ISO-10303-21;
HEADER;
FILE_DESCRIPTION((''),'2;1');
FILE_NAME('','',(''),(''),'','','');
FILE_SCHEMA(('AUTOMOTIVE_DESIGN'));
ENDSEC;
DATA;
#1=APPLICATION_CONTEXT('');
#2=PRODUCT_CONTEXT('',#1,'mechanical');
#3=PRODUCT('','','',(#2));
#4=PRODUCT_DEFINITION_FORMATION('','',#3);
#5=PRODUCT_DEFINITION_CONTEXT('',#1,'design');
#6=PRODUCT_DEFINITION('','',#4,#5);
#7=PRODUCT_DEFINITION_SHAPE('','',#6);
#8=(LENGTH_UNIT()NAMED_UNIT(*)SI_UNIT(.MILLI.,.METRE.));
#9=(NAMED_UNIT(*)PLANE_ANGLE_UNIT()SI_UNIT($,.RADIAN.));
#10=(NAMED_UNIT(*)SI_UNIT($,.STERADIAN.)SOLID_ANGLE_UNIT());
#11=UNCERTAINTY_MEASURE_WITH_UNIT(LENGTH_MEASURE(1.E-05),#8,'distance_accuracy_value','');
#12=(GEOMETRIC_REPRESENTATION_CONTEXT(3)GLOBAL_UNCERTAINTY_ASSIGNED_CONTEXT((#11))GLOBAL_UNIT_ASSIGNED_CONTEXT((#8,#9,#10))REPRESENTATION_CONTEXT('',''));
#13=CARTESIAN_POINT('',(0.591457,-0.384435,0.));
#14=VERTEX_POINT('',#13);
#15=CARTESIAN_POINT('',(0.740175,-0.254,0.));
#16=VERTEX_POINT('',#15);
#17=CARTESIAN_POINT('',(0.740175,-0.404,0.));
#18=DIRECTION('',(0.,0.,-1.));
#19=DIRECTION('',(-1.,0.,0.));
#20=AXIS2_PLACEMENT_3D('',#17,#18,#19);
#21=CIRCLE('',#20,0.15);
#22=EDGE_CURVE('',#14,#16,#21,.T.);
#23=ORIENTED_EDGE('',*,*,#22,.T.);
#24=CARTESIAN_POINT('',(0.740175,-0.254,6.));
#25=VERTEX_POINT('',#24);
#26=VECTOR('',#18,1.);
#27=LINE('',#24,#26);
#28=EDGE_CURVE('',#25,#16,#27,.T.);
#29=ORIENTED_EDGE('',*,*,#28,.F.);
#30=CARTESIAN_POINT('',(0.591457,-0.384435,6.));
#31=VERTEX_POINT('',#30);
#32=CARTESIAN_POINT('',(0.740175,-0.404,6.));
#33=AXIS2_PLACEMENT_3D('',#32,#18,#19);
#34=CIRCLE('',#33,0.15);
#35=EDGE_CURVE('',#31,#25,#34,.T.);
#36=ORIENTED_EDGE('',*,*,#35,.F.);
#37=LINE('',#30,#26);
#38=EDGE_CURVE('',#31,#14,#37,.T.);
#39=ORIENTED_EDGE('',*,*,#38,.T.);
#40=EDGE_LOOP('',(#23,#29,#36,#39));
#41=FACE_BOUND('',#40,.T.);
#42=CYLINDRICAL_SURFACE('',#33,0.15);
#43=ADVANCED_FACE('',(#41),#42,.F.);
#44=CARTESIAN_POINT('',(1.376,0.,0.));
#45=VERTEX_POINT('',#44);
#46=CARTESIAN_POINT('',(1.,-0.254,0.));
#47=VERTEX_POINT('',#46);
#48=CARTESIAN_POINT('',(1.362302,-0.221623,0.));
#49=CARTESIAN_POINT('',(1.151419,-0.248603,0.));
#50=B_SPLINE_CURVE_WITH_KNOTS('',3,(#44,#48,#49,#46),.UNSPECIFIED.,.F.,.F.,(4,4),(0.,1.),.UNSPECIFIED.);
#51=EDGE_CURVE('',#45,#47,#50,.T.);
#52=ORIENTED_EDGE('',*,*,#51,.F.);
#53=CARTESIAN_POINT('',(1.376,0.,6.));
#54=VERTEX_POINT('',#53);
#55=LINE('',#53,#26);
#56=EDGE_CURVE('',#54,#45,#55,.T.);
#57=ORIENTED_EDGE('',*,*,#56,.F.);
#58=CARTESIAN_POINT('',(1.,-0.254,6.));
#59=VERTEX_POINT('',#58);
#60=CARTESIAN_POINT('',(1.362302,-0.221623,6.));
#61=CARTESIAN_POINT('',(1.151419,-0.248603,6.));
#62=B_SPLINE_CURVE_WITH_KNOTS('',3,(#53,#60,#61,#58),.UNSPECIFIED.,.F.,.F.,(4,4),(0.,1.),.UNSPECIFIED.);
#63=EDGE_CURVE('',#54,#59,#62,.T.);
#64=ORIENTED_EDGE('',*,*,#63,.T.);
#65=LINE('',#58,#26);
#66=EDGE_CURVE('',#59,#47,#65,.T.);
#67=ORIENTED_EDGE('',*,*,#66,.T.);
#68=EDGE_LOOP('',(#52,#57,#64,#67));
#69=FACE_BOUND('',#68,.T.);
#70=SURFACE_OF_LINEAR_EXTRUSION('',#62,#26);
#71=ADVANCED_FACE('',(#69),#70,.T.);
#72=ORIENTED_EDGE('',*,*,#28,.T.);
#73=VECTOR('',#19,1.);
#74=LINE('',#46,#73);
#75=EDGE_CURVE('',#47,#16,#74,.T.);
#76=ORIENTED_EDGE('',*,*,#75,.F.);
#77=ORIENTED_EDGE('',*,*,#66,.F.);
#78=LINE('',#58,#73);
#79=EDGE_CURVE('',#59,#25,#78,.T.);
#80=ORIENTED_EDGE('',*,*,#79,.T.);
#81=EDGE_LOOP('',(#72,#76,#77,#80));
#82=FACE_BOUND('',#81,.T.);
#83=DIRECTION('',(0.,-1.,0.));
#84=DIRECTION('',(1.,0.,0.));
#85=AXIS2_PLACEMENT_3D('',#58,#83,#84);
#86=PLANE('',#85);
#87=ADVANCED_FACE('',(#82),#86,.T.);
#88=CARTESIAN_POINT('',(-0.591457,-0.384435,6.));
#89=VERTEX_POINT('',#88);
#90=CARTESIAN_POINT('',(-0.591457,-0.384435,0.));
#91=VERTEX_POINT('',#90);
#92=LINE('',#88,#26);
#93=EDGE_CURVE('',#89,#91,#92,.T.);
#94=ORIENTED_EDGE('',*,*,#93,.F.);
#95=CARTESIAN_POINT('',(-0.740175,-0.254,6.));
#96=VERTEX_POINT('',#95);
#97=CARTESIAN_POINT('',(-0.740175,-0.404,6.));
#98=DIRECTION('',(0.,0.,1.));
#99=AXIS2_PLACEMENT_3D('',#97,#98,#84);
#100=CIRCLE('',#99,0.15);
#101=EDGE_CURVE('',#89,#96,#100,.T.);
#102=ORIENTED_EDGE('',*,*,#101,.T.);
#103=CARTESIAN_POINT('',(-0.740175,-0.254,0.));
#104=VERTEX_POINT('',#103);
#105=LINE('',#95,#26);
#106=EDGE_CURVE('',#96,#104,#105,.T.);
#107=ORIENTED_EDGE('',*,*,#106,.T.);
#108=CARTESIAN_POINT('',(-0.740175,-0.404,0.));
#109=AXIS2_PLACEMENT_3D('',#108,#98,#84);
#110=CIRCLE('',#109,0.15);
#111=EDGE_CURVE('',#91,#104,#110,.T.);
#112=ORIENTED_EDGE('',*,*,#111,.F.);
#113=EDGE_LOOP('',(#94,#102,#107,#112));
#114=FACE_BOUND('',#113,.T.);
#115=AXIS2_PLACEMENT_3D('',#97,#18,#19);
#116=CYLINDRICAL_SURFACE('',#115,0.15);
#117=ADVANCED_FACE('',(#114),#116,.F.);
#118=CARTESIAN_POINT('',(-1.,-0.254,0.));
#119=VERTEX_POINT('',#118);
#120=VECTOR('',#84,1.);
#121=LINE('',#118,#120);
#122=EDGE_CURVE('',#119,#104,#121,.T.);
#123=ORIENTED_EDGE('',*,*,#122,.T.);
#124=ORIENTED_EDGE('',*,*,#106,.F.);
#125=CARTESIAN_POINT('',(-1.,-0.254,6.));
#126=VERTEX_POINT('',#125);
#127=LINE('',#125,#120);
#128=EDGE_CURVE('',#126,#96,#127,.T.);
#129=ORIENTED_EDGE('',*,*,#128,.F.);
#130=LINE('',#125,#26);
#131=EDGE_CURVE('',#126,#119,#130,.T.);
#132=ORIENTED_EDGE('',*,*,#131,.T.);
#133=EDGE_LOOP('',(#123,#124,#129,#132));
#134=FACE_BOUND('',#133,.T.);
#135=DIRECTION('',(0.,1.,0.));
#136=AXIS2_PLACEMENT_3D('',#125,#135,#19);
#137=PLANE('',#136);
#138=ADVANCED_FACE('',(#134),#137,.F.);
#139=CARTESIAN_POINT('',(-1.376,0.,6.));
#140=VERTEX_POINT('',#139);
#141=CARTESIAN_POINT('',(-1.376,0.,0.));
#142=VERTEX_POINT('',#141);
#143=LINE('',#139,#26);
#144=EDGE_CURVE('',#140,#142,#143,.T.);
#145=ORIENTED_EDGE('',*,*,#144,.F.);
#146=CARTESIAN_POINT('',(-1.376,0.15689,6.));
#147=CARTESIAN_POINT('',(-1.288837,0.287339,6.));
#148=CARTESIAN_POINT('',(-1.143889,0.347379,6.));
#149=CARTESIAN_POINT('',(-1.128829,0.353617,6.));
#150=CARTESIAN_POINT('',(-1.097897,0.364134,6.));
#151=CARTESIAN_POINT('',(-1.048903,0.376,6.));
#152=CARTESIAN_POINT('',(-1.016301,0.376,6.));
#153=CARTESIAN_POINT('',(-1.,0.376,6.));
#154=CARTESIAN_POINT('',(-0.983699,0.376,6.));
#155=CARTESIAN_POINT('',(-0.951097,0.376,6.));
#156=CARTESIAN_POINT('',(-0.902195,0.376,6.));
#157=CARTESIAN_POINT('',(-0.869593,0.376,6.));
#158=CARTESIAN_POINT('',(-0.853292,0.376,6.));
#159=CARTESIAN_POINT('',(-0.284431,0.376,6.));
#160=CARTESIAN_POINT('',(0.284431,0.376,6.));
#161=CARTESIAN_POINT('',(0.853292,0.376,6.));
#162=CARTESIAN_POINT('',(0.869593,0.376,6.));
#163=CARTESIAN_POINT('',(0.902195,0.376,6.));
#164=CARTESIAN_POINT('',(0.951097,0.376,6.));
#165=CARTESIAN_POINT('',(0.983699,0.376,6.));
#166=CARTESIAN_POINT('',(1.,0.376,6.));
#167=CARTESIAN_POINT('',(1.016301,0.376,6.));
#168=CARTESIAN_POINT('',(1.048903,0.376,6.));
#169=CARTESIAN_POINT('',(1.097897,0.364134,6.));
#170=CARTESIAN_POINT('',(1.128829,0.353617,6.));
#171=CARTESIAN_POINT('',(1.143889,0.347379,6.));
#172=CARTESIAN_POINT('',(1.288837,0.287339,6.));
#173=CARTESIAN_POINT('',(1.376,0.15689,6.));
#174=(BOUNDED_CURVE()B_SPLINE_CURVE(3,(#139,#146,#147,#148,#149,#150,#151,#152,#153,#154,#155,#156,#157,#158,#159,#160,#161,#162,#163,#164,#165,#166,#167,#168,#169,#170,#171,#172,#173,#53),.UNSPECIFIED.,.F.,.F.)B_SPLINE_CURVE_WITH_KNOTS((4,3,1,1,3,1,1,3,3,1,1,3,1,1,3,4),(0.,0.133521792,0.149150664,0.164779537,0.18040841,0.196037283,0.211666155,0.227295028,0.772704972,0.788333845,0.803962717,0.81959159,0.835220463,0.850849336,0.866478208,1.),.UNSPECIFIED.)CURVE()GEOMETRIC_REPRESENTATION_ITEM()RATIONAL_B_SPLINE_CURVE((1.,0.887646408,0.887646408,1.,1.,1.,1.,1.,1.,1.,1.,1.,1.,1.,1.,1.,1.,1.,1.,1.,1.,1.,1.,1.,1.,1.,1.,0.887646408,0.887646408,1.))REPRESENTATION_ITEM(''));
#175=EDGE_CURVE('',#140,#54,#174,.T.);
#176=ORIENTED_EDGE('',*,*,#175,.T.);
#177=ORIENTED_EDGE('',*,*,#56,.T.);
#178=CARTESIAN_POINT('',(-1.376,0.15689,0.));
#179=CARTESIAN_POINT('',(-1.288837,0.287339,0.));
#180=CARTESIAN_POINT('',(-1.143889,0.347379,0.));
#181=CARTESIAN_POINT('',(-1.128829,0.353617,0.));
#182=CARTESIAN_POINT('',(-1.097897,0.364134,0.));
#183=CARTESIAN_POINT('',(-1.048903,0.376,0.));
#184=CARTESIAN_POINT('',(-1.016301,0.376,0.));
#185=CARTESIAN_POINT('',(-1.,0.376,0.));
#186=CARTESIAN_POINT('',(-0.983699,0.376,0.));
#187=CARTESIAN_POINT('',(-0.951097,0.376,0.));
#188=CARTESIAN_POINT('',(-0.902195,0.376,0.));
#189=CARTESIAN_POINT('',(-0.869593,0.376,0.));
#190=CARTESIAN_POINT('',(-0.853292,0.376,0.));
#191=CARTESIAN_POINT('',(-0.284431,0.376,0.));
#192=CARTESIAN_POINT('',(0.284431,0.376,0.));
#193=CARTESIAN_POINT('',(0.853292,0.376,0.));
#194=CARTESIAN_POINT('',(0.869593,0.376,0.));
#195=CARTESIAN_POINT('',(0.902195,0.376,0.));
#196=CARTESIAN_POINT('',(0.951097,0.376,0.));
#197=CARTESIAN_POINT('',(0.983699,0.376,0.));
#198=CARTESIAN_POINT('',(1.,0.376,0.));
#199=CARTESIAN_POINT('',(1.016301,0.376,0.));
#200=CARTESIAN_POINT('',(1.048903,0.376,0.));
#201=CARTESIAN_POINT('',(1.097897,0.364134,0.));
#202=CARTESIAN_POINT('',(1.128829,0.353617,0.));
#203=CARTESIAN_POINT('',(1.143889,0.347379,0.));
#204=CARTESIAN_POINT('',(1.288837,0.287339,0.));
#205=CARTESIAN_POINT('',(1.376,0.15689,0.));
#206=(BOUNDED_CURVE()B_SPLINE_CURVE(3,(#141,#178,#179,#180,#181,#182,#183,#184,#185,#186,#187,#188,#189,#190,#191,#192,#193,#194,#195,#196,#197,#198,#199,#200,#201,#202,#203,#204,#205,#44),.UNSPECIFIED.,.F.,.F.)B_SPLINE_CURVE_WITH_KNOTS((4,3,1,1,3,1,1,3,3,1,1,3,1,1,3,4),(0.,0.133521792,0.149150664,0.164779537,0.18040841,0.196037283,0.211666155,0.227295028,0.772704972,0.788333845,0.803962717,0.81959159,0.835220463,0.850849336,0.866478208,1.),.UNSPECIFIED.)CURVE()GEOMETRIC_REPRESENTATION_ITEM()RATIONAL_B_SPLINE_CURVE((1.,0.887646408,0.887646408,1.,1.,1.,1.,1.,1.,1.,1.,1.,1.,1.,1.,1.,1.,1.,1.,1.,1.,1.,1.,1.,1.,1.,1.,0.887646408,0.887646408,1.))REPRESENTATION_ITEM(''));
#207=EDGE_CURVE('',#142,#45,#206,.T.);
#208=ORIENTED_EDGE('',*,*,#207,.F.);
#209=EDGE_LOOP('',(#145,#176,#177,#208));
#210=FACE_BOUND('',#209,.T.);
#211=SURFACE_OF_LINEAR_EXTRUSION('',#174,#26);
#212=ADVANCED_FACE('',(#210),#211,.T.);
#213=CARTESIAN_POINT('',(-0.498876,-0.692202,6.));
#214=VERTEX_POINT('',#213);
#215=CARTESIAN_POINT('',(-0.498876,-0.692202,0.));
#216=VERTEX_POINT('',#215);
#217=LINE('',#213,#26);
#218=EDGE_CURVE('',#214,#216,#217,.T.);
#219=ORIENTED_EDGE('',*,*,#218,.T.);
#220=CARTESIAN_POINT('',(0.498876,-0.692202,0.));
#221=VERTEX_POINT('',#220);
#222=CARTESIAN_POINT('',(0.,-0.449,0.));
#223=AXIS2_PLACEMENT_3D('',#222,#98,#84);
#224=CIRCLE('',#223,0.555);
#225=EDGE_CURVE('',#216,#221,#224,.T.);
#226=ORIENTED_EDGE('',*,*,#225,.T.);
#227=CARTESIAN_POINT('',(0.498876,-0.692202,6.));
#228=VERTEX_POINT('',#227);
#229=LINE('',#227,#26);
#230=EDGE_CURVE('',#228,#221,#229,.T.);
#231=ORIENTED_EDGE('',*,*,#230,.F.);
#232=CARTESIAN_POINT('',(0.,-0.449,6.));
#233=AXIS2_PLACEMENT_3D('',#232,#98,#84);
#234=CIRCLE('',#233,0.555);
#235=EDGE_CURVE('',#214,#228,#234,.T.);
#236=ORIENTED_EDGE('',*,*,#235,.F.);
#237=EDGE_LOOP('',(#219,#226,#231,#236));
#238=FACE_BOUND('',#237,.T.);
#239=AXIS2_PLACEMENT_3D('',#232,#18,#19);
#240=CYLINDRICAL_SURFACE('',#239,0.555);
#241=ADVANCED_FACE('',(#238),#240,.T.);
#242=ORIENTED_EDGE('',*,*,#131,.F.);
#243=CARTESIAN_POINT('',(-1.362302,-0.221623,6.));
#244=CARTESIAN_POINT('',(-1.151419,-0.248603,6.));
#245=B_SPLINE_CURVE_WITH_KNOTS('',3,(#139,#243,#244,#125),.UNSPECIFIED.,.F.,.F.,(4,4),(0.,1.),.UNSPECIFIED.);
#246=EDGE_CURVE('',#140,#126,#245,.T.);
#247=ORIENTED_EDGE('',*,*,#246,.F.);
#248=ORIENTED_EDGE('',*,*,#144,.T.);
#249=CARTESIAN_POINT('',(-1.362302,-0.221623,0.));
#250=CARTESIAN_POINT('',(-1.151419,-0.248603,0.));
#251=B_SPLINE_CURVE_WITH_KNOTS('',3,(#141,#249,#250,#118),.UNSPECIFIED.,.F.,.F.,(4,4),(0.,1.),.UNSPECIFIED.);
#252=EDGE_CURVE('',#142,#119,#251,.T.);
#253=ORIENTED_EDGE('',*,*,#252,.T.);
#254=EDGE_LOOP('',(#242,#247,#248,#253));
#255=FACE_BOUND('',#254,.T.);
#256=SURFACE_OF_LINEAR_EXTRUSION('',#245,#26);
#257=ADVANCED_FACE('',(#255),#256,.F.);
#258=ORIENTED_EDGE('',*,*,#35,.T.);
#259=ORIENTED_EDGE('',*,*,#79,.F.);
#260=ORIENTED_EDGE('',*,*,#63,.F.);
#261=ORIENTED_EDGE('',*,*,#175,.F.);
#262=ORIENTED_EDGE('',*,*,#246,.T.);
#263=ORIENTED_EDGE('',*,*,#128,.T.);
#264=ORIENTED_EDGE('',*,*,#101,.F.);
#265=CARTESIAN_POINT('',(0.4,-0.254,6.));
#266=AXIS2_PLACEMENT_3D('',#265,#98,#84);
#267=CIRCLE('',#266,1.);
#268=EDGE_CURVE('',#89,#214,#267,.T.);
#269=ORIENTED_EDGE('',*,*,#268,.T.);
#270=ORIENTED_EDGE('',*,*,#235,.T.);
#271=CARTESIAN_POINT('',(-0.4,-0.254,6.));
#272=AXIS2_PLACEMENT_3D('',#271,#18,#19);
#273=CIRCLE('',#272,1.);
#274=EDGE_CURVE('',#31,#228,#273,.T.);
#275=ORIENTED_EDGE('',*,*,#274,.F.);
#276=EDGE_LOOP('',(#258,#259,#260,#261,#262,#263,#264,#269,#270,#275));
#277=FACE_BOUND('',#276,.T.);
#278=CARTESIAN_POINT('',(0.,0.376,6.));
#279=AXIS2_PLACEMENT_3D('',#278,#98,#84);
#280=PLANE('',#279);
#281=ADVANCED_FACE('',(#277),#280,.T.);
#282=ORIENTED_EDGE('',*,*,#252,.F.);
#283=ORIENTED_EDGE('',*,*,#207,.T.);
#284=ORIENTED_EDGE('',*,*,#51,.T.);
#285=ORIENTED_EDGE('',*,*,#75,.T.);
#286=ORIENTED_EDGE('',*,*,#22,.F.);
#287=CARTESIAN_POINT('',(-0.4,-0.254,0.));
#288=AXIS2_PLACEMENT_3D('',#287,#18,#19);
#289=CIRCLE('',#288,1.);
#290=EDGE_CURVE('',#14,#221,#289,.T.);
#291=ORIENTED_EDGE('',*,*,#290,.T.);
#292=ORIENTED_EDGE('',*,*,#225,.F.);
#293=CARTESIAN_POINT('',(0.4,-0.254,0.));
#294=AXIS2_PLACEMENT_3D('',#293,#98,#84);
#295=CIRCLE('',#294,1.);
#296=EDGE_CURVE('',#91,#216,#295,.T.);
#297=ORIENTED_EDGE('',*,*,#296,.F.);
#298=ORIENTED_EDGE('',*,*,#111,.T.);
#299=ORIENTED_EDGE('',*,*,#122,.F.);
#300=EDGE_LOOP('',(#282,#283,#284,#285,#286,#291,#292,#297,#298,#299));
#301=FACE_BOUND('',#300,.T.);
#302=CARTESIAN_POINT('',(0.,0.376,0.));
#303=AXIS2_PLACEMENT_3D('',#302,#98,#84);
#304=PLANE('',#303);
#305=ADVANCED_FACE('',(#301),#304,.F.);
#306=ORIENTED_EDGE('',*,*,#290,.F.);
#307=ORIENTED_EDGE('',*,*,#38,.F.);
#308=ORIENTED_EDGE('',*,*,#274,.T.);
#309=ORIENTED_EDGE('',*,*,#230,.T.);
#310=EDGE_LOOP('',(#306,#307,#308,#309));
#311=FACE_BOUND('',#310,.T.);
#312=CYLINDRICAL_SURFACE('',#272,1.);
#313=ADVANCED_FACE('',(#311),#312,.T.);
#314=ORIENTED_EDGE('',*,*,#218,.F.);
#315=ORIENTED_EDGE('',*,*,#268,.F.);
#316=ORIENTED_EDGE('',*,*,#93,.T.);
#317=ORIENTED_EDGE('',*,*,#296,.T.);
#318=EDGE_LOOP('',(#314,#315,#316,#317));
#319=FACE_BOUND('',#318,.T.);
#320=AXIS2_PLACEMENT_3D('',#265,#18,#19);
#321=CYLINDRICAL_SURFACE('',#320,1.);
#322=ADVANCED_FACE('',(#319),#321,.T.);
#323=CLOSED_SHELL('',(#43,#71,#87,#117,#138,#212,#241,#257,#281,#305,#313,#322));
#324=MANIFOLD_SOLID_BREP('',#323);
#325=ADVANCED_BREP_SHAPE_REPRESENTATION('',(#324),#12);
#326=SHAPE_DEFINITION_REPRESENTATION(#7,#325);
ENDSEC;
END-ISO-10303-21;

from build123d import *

# Parameters (mm, degrees)
BOSS_EXTRUDE1_DEPTH = 6


with BuildPart() as part:
    # Sketch1 → Boss-Extrude1 (new body)
    with BuildSketch(Plane.XY):
        with BuildLine():
            Line((-1, -0.254), (-0.740175425, -0.254))
            ThreePointArc((-0.740175425, -0.254), (-0.641268354, -0.291228588), (-0.591456891, -0.384434783))
            ThreePointArc((-0.591456891, -0.384434783), (-0.557611714, -0.542062154), (-0.498876404, -0.692202247))
            ThreePointArc((-0.498876404, -0.692202247), (0, -1.004), (0.498876404, -0.692202247))
            ThreePointArc((0.498876404, -0.692202247), (0.557611714, -0.542062154), (0.591456891, -0.384434783))
            ThreePointArc((0.591456891, -0.384434783), (0.641268354, -0.291228588), (0.740175425, -0.254))
            Line((0.740175425, -0.254), (1, -0.254))
            add(Edge.make_bspline(
                [(1.376, 0), (1.362302216, -0.221622552), (1.151418555, -0.248602833), (1, -0.254)],
                knots=[0, 0, 0, 0, 1, 1, 1, 1], degree=3))
            add(Edge.make_bspline(
                [(-1.376, 0), (-1.376, 0.156890105), (-1.288836528, 0.28733946), (-1.143888971, 0.347378704), (-1.128828921, 0.353616781), (-1.097897496, 0.364134221), (-1.048902641, 0.376), (-1.01630088, 0.376), (-1, 0.376), (-0.98369912, 0.376), (-0.951097359, 0.376), (-0.902194719, 0.376), (-0.869592958, 0.376), (-0.853292078, 0.376), (-0.284430693, 0.376), (0.284430693, 0.376), (0.853292078, 0.376), (0.869592958, 0.376), (0.902194719, 0.376), (0.951097359, 0.376), (0.98369912, 0.376), (1, 0.376), (1.01630088, 0.376), (1.048902641, 0.376), (1.097897496, 0.364134221), (1.128828921, 0.353616781), (1.143888971, 0.347378704), (1.288836528, 0.28733946), (1.376, 0.156890105), (1.376, 0)],
                knots=[0, 0, 0, 0, 0.133521792, 0.133521792, 0.133521792, 0.149150664, 0.164779537, 0.18040841, 0.18040841, 0.18040841, 0.196037283, 0.211666155, 0.227295028, 0.227295028, 0.227295028, 0.772704972, 0.772704972, 0.772704972, 0.788333845, 0.803962717, 0.81959159, 0.81959159, 0.81959159, 0.835220463, 0.850849336, 0.866478208, 0.866478208, 0.866478208, 1, 1, 1, 1], degree=3, weights=[1, 0.887646408, 0.887646408, 1, 1, 1, 1, 1, 1, 1, 1, 1, 1, 1, 1, 1, 1, 1, 1, 1, 1, 1, 1, 1, 1, 1, 1, 0.887646408, 0.887646408, 1]))
            add(Edge.make_bspline(
                [(-1.376, 0), (-1.362302216, -0.221622552), (-1.151418555, -0.248602833), (-1, -0.254)],
                knots=[0, 0, 0, 0, 1, 1, 1, 1], degree=3))
        make_face()
    extrude(amount=BOSS_EXTRUDE1_DEPTH)


solid = part.part
